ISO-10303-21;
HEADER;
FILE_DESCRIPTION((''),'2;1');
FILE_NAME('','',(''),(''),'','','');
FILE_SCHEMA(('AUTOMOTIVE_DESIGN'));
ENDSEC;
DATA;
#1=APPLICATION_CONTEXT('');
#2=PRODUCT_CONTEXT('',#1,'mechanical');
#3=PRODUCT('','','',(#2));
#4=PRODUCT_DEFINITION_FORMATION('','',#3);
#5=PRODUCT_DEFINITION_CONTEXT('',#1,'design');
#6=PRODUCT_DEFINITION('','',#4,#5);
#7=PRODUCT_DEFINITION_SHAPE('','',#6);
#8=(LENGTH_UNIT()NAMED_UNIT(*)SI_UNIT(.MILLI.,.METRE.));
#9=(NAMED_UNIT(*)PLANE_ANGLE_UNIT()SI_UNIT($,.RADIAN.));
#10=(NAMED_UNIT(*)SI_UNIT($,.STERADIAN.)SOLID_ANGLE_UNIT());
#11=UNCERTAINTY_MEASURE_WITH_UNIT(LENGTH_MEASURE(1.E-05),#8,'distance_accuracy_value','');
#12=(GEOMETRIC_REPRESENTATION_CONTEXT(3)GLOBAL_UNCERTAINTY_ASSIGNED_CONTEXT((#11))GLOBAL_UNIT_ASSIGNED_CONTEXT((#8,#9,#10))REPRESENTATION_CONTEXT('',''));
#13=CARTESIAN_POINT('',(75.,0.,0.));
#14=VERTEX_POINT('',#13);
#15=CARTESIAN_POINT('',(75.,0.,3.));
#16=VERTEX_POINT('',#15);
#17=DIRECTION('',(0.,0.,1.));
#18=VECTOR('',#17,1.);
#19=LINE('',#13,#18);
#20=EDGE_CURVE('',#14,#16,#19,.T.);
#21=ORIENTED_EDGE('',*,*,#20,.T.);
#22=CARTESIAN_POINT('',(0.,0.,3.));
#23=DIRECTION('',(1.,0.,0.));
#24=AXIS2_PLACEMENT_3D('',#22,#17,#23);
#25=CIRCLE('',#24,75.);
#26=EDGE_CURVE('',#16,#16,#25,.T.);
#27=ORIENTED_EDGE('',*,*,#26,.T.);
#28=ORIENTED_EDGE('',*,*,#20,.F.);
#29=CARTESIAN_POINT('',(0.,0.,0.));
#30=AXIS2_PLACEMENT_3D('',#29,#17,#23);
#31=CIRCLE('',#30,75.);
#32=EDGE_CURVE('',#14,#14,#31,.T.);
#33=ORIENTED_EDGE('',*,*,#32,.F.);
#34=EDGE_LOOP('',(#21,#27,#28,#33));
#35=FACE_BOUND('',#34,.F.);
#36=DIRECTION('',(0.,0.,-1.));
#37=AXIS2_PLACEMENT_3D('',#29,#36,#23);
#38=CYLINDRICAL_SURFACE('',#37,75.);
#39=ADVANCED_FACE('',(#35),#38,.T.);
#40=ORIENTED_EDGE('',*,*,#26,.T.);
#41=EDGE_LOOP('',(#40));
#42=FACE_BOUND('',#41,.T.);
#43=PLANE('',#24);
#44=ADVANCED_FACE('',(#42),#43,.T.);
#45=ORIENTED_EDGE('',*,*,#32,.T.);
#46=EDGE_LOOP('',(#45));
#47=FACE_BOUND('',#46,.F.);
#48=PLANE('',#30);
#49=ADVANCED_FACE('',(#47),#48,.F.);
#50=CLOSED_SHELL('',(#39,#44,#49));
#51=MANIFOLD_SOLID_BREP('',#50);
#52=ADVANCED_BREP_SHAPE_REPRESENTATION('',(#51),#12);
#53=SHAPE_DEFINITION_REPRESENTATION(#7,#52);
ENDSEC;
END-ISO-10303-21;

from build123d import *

# Parameters (mm, degrees)
F1_DEPTH = 3


with BuildPart() as f1:
    # F0 (on Top) → F1 (new body)
    with BuildSketch(Plane.XY):
        with BuildLine():
            ThreePointArc((-75, 0), (0, -75), (75, 0))
            ThreePointArc((75, 0), (0, 75), (-75, 0))
        make_face()
    extrude(amount=F1_DEPTH)


solid = f1.part
